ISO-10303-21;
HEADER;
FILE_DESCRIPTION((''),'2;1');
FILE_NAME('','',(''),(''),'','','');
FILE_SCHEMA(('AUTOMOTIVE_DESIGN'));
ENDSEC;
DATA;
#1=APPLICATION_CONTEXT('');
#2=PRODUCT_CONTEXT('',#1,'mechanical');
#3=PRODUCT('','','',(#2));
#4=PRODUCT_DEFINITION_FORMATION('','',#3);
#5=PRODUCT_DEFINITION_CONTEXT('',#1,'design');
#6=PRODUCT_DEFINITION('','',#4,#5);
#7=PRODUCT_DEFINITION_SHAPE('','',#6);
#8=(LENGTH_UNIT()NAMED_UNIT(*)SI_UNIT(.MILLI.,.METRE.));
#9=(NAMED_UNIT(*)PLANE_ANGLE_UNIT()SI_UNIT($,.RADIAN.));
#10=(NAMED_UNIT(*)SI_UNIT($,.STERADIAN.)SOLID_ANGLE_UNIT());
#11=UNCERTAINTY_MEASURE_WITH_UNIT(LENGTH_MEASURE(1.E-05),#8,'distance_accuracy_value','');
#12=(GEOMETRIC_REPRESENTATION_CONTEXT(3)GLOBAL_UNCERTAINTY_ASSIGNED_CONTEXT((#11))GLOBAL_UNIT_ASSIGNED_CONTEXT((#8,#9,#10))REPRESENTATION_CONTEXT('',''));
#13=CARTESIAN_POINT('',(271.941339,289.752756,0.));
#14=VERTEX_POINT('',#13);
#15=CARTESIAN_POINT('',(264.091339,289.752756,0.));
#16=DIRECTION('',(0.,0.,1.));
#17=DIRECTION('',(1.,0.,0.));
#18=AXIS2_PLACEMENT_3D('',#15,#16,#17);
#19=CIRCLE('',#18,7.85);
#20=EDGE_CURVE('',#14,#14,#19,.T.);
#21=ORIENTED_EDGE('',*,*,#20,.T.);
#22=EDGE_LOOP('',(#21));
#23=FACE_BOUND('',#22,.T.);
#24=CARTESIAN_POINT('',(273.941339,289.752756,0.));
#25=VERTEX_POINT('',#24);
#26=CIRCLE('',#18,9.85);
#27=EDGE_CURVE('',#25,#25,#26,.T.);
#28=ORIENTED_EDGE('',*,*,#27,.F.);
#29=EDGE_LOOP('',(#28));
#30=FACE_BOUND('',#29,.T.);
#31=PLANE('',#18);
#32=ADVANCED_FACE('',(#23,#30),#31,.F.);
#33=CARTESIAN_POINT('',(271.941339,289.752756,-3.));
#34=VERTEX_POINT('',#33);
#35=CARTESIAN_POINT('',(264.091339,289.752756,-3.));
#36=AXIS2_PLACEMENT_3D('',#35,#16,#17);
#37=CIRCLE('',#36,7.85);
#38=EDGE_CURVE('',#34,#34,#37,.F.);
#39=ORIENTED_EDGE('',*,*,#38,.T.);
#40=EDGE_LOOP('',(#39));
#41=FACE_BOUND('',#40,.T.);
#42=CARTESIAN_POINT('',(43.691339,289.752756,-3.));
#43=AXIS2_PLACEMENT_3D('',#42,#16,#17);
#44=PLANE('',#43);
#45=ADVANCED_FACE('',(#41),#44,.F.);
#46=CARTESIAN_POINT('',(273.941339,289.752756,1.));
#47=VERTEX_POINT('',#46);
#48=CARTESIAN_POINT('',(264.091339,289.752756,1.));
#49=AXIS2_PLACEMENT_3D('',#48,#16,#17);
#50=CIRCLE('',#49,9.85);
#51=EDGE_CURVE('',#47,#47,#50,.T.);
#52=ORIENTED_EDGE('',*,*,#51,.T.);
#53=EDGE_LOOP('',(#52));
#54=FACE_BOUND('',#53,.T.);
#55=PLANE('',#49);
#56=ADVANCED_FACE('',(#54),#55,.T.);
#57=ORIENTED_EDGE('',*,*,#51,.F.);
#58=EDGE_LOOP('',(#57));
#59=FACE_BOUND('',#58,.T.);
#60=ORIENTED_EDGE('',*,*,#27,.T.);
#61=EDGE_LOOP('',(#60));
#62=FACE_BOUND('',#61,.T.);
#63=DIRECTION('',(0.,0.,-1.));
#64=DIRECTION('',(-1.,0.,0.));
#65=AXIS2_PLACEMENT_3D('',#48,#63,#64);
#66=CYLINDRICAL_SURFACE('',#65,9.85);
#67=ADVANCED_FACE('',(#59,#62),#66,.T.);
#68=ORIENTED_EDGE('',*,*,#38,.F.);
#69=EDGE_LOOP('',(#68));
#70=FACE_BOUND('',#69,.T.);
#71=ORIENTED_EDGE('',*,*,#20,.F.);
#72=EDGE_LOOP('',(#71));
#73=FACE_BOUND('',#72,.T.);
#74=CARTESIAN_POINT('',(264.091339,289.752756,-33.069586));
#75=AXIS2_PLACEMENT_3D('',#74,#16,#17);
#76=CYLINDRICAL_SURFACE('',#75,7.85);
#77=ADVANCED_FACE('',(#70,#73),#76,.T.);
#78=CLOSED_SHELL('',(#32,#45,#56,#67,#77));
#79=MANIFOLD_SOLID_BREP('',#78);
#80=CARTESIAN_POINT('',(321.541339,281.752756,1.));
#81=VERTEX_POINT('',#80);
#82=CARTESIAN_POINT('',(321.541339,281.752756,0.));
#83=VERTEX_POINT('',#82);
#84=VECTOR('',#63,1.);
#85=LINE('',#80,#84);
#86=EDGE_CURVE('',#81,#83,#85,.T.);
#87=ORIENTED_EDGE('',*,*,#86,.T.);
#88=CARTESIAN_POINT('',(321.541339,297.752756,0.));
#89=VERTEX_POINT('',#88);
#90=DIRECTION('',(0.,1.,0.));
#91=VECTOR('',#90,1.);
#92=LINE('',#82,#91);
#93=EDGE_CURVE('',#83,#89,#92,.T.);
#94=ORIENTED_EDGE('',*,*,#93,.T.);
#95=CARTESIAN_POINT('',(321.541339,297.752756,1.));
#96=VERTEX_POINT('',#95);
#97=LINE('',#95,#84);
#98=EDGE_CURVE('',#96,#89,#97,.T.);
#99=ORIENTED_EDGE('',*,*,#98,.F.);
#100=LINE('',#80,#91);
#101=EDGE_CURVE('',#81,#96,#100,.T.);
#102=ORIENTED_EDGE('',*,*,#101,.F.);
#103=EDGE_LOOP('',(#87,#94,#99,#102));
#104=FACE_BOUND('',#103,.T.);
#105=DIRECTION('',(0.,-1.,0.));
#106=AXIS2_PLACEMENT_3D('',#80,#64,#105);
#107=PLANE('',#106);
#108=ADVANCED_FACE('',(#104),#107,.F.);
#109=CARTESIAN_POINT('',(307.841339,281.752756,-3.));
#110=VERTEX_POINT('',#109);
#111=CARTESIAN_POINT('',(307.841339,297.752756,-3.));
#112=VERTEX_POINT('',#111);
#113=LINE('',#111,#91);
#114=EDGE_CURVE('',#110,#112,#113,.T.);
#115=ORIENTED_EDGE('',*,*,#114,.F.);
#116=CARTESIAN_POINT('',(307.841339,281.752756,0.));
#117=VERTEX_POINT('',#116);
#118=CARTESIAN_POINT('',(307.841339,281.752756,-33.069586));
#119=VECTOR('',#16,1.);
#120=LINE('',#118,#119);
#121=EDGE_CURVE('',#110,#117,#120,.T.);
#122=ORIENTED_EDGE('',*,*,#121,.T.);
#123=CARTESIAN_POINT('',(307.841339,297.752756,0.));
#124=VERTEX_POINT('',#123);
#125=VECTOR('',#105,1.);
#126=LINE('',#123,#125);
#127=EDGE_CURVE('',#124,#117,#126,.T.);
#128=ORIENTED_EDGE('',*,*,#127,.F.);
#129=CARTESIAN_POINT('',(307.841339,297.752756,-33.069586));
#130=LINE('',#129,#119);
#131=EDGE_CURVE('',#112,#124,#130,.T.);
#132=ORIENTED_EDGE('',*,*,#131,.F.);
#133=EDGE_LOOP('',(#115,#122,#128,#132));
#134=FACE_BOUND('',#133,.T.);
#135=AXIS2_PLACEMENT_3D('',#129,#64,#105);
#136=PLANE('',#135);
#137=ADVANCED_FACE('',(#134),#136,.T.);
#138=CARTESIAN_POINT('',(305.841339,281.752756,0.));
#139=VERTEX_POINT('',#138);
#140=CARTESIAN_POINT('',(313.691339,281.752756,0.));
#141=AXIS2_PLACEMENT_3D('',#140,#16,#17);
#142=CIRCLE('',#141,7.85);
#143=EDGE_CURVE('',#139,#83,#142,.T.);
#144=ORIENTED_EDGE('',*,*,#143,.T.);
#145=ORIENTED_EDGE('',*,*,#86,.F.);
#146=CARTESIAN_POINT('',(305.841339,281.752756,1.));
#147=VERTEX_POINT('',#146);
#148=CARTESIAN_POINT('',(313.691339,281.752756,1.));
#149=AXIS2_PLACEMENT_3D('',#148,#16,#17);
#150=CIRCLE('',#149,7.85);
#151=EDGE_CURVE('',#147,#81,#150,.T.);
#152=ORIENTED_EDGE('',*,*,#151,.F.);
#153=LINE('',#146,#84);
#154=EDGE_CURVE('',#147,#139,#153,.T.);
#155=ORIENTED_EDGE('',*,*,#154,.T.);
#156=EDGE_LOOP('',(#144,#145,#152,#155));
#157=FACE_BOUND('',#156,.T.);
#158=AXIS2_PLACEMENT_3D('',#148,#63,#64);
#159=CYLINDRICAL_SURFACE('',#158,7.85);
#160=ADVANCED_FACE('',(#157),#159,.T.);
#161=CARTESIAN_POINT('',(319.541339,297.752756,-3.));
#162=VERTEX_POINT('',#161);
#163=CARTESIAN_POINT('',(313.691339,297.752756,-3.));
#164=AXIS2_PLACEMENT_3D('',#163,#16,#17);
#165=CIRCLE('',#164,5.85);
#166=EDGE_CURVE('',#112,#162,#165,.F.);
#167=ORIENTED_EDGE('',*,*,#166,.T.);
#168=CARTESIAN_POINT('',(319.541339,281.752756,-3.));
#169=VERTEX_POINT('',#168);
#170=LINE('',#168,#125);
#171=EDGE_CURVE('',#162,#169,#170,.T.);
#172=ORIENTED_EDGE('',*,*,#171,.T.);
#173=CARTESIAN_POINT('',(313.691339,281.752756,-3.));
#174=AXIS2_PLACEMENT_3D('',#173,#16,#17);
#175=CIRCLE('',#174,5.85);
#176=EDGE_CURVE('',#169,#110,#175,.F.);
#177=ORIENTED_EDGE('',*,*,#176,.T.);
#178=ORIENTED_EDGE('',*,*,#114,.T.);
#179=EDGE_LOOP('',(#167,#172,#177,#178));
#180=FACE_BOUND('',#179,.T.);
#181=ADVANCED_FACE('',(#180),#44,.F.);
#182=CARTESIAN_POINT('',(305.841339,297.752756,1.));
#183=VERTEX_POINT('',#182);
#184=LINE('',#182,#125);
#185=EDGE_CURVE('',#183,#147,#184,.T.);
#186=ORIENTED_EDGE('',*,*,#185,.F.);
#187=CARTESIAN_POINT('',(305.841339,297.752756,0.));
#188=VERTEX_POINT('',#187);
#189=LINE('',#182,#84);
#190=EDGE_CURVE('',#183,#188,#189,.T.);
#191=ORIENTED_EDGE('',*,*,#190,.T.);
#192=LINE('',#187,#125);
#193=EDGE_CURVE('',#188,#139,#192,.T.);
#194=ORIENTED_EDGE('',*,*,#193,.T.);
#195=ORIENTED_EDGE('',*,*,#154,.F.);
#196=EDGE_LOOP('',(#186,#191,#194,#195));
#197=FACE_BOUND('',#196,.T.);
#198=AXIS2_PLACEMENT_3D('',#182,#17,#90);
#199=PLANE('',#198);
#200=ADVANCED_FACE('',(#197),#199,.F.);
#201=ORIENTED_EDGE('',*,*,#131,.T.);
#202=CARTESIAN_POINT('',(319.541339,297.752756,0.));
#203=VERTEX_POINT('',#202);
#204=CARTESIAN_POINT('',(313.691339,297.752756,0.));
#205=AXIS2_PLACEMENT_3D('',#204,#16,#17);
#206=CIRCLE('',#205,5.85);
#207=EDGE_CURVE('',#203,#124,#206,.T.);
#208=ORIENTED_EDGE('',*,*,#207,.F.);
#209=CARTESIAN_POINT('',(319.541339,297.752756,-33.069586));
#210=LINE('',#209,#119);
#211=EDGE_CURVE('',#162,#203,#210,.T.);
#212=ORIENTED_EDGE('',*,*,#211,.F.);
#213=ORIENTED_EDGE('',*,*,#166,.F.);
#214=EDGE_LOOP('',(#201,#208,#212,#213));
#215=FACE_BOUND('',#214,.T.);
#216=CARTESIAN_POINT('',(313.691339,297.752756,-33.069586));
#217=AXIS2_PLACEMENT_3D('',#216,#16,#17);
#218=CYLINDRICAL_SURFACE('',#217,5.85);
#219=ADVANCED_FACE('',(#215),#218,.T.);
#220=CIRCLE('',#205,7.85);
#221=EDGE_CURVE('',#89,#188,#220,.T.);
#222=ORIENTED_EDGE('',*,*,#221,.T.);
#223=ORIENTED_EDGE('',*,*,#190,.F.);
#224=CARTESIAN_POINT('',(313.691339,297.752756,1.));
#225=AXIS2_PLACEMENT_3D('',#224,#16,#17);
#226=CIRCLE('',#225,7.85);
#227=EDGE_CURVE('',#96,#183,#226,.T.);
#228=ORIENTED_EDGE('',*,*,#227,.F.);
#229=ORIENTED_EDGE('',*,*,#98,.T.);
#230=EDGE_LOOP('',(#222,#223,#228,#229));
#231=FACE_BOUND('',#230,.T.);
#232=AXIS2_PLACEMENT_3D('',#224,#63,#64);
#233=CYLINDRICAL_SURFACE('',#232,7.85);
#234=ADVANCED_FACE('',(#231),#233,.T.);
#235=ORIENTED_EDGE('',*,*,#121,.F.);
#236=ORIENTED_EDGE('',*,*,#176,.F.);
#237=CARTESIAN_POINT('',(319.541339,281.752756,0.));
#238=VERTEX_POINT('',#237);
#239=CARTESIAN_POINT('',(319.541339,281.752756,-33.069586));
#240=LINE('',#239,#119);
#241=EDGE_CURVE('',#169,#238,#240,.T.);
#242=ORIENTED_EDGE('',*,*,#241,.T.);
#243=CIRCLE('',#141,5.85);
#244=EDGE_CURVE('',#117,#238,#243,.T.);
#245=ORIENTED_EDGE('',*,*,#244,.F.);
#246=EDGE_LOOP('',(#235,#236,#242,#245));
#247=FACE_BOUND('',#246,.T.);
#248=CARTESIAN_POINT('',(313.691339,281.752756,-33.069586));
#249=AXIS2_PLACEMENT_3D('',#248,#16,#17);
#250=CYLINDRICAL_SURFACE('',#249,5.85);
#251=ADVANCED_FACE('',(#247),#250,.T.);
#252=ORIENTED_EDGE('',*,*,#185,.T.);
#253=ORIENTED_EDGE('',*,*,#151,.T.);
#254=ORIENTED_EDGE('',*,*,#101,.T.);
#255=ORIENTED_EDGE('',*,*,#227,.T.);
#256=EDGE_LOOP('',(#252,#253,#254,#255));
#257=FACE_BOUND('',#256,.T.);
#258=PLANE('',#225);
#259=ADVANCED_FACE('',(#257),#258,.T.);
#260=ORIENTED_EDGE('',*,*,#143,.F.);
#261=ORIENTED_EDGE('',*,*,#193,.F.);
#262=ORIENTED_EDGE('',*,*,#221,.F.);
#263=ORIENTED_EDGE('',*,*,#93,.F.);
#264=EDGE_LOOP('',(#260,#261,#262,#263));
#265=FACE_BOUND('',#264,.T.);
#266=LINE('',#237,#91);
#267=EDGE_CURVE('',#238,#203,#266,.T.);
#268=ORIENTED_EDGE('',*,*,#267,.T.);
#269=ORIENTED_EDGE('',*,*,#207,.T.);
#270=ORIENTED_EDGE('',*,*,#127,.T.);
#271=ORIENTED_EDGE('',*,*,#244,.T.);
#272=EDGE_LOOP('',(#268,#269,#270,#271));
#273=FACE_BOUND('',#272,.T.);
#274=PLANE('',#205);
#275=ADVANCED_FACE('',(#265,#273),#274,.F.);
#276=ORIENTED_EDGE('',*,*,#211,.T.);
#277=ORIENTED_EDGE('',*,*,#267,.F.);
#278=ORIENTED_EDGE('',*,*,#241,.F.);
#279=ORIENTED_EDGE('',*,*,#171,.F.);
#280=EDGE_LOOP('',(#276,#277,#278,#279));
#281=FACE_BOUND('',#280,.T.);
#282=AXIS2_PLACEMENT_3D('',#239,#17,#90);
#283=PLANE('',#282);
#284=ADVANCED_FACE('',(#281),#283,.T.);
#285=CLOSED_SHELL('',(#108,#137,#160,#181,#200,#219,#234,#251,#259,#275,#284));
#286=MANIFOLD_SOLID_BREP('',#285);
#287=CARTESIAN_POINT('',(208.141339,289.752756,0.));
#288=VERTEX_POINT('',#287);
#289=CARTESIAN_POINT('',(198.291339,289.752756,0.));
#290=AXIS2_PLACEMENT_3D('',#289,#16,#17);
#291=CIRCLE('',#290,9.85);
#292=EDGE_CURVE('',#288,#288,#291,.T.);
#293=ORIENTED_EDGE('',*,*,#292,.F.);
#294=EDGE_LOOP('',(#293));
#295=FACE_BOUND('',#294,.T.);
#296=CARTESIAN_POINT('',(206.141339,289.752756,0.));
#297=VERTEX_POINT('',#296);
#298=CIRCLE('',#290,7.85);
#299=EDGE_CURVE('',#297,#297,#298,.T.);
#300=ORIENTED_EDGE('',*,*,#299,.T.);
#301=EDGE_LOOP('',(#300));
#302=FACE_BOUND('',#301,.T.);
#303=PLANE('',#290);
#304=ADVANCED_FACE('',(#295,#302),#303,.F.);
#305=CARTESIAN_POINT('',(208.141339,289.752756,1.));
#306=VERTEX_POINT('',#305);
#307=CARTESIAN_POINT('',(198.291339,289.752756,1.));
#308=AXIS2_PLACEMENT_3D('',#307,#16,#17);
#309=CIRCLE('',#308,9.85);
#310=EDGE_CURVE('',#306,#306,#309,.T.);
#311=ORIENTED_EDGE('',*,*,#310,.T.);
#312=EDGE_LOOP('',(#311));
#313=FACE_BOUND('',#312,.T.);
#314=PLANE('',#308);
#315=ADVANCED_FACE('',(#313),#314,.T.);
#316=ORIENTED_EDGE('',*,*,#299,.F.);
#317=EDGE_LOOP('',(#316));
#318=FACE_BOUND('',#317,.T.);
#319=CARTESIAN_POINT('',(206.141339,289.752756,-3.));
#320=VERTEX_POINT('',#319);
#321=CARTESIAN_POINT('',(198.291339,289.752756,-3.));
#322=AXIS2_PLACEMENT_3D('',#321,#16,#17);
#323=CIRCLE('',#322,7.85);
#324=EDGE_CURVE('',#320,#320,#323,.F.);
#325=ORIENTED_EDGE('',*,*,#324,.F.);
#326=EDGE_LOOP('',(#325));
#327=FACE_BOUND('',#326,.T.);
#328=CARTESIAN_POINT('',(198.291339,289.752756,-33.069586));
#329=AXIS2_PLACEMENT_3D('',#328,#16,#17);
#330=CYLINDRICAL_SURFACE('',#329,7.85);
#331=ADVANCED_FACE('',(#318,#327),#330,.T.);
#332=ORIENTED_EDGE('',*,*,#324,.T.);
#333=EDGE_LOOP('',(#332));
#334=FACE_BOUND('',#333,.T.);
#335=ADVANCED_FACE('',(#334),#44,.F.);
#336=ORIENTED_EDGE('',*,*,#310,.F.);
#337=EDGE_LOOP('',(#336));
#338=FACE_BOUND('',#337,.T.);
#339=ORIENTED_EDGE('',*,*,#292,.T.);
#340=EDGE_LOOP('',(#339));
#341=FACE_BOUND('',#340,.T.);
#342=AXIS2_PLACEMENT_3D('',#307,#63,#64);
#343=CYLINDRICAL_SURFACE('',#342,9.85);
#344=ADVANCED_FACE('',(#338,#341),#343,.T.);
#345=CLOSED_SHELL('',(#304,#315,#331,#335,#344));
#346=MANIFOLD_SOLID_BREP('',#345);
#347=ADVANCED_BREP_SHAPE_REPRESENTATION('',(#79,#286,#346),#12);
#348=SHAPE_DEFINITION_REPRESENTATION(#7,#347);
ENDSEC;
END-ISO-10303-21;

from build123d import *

# Parameters (mm, degrees)
SKETCH1_R             = 7.85
BOSS_EXTRUDE1_DEPTH   = 3
BOSS_EXTRUDE1_2_DEPTH = 3
BOSS_EXTRUDE1_3_DEPTH = 3
SKETCH2_R             = 9.85
BOSS_EXTRUDE2_DEPTH   = 1


with BuildPart() as part:
    # Sketch1 → Boss-Extrude1 (new body)
    with BuildSketch(Plane.XY):
        with Locations((198.291338583, 289.752755906)):
            Circle(SKETCH1_R)
    extrude(amount=-BOSS_EXTRUDE1_DEPTH)



with BuildPart() as body_2:
    # Sketch1 → Boss-Extrude1 2 (new body)
    with BuildSketch(Plane.XY):
        with Locations((264.091338583, 289.752755906)):
            Circle(SKETCH1_R)
    extrude(amount=-BOSS_EXTRUDE1_2_DEPTH)


with BuildPart() as body_3:
    # Sketch1 → Boss-Extrude1 3 (new body)
    with BuildSketch(Plane.XY):
        with BuildLine():
            Line((307.841338583, 297.752755906), (307.841338583, 281.752755906))
            ThreePointArc((307.841338583, 281.752755906), (313.691338583, 275.902755906), (319.541338583, 281.752755906))
            Line((319.541338583, 281.752755906), (319.541338583, 297.752755906))
            ThreePointArc((319.541338583, 297.752755906), (313.691338583, 303.602755906), (307.841338583, 297.752755906))
        make_face()
    extrude(amount=-BOSS_EXTRUDE1_3_DEPTH)


with BuildPart() as part_1:
    add(part.part)

    add(body_2.part)  # Boss-Extrude2 merges body 2

    add(body_3.part)  # Boss-Extrude2 merges body 3
    # Sketch2 → Boss-Extrude2 (add)
    with BuildSketch(Plane.XY):
        with Locations((198.291338583, 289.752755906)):
            Circle(SKETCH2_R)
        with Locations((264.091338583, 289.752755906)):
            Circle(SKETCH2_R)
        with BuildLine():
            Line((305.841338583, 297.752755906), (305.841338583, 281.752755906))
            ThreePointArc((305.841338583, 281.752755906), (313.691338583, 273.902755906), (321.541338583, 281.752755906))
            Line((321.541338583, 281.752755906), (321.541338583, 297.752755906))
            ThreePointArc((321.541338583, 297.752755906), (313.691338583, 305.602755906), (305.841338583, 297.752755906))
        make_face()
    extrude(amount=BOSS_EXTRUDE2_DEPTH)


solid = part_1.part
